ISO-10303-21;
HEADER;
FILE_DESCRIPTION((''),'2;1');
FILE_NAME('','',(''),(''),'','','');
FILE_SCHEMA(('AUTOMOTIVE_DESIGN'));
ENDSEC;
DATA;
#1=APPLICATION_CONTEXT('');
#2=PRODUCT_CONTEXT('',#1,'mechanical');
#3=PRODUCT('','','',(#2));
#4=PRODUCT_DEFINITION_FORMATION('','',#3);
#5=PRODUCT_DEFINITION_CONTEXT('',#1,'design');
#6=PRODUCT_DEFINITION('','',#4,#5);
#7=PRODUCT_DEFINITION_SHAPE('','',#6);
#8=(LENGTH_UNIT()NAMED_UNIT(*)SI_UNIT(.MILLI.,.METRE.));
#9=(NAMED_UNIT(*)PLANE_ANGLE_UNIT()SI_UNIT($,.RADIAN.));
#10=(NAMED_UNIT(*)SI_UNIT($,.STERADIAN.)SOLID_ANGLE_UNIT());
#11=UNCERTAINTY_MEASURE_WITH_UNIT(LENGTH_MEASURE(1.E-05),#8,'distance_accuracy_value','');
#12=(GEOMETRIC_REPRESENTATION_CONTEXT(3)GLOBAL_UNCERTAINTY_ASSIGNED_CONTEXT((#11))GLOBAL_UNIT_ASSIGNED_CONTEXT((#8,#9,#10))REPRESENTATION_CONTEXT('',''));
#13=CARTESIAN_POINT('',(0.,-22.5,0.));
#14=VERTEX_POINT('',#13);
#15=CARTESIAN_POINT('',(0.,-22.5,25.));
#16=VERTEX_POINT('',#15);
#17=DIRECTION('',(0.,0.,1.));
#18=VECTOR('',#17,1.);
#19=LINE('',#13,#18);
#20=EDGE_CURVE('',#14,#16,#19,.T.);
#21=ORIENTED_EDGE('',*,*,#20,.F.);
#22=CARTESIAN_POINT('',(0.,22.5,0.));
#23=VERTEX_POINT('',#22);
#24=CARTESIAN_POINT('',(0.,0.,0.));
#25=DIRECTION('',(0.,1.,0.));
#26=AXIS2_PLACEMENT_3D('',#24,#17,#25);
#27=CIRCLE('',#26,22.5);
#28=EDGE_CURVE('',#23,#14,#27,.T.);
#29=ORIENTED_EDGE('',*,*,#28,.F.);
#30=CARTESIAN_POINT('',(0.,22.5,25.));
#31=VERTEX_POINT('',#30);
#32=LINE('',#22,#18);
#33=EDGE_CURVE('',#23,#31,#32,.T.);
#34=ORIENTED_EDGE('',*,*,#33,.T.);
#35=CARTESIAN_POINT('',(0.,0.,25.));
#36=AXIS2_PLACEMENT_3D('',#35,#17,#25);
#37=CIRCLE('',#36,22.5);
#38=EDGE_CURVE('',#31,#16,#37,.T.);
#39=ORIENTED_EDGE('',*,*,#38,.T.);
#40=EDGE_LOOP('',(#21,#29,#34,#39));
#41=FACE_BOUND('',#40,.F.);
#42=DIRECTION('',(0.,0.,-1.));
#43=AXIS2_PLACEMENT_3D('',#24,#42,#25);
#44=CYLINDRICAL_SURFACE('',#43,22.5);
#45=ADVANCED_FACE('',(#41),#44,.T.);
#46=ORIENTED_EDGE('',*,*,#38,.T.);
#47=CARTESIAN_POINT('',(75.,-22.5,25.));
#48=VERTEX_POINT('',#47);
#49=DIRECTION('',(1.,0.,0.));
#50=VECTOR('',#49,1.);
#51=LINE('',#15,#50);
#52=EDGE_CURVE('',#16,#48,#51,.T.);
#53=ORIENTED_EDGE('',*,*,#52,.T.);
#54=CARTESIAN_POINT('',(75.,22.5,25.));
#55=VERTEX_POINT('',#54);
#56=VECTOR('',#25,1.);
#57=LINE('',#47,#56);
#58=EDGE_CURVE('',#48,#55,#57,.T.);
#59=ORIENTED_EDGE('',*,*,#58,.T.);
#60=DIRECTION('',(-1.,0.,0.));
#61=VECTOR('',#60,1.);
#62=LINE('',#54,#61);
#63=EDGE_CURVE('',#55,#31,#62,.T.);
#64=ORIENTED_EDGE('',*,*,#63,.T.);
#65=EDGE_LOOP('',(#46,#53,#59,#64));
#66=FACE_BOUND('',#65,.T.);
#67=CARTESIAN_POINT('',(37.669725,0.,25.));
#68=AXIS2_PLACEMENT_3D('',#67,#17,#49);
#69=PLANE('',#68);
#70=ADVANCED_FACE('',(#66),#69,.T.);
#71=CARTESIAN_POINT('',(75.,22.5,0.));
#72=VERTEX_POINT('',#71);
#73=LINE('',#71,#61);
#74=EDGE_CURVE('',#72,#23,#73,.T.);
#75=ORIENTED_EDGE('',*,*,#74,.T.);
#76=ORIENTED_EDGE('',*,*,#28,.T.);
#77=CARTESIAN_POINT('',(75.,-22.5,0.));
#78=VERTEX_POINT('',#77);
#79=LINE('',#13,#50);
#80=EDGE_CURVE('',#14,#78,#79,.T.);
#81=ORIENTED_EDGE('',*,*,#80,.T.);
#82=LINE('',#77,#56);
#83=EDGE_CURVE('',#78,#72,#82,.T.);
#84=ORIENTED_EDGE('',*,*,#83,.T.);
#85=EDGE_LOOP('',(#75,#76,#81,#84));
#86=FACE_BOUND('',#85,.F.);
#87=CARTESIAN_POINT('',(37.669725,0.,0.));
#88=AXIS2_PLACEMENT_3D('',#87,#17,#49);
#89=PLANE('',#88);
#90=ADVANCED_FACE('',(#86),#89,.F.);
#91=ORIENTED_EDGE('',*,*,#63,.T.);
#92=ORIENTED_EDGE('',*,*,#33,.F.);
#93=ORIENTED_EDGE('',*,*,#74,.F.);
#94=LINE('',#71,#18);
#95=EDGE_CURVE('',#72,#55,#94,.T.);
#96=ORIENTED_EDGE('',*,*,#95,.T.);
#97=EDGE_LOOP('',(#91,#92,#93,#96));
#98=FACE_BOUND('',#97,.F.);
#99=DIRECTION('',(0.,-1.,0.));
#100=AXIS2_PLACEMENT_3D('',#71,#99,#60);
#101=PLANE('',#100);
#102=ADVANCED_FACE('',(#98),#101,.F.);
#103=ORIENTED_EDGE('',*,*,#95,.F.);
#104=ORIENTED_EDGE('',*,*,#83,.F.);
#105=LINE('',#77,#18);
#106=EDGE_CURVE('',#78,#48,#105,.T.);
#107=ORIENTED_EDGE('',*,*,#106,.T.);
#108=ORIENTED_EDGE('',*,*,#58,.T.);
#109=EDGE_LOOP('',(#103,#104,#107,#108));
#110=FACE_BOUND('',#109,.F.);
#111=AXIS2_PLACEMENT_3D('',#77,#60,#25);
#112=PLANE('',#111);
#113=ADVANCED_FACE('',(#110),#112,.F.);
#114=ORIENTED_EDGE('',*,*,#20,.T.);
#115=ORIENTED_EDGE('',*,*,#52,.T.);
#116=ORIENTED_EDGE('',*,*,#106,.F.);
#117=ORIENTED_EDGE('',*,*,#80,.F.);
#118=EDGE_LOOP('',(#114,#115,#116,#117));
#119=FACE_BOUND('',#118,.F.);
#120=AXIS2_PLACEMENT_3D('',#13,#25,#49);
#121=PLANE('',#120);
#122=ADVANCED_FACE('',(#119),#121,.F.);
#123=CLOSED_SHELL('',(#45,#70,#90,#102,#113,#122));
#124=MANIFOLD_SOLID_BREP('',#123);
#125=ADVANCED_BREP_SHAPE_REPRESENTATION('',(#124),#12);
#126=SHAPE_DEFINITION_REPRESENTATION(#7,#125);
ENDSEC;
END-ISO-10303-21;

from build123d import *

# Parameters (mm, degrees)
F1_DEPTH = 25
F2_DEPTH = 25


with BuildPart() as f1:
    # F0 (on Top) → F1 (new body)
    with BuildSketch(Plane.XY):
        with BuildLine():
            ThreePointArc((0, 22.5), (15.909903, 15.909903), (22.5, 0))
            ThreePointArc((22.5, 0), (15.909903, -15.909903), (0, -22.5))
            Line((0, -22.5), (75, -22.5))
            Line((75, -22.5), (75, 22.5))
            Line((75, 22.5), (0, 22.5))
        make_face()
        with BuildLine():
            ThreePointArc((0, -22.5), (15.909903, -15.909903), (22.5, 0))
            ThreePointArc((22.5, 0), (15.909903, 15.909903), (0, 22.5))
            ThreePointArc((0, 22.5), (-22.5, 0), (0, -22.5))
        make_face()
    extrude(amount=F1_DEPTH)

    # F0 (on Top) → F2 (join)
    with BuildSketch(Plane.XY):
        with BuildLine():
            ThreePointArc((0, -22.5), (15.909903, -15.909903), (22.5, 0))
            ThreePointArc((22.5, 0), (15.909903, 15.909903), (0, 22.5))
            ThreePointArc((0, 22.5), (-22.5, 0), (0, -22.5))
        make_face()
    extrude(amount=F2_DEPTH)


solid = f1.part
